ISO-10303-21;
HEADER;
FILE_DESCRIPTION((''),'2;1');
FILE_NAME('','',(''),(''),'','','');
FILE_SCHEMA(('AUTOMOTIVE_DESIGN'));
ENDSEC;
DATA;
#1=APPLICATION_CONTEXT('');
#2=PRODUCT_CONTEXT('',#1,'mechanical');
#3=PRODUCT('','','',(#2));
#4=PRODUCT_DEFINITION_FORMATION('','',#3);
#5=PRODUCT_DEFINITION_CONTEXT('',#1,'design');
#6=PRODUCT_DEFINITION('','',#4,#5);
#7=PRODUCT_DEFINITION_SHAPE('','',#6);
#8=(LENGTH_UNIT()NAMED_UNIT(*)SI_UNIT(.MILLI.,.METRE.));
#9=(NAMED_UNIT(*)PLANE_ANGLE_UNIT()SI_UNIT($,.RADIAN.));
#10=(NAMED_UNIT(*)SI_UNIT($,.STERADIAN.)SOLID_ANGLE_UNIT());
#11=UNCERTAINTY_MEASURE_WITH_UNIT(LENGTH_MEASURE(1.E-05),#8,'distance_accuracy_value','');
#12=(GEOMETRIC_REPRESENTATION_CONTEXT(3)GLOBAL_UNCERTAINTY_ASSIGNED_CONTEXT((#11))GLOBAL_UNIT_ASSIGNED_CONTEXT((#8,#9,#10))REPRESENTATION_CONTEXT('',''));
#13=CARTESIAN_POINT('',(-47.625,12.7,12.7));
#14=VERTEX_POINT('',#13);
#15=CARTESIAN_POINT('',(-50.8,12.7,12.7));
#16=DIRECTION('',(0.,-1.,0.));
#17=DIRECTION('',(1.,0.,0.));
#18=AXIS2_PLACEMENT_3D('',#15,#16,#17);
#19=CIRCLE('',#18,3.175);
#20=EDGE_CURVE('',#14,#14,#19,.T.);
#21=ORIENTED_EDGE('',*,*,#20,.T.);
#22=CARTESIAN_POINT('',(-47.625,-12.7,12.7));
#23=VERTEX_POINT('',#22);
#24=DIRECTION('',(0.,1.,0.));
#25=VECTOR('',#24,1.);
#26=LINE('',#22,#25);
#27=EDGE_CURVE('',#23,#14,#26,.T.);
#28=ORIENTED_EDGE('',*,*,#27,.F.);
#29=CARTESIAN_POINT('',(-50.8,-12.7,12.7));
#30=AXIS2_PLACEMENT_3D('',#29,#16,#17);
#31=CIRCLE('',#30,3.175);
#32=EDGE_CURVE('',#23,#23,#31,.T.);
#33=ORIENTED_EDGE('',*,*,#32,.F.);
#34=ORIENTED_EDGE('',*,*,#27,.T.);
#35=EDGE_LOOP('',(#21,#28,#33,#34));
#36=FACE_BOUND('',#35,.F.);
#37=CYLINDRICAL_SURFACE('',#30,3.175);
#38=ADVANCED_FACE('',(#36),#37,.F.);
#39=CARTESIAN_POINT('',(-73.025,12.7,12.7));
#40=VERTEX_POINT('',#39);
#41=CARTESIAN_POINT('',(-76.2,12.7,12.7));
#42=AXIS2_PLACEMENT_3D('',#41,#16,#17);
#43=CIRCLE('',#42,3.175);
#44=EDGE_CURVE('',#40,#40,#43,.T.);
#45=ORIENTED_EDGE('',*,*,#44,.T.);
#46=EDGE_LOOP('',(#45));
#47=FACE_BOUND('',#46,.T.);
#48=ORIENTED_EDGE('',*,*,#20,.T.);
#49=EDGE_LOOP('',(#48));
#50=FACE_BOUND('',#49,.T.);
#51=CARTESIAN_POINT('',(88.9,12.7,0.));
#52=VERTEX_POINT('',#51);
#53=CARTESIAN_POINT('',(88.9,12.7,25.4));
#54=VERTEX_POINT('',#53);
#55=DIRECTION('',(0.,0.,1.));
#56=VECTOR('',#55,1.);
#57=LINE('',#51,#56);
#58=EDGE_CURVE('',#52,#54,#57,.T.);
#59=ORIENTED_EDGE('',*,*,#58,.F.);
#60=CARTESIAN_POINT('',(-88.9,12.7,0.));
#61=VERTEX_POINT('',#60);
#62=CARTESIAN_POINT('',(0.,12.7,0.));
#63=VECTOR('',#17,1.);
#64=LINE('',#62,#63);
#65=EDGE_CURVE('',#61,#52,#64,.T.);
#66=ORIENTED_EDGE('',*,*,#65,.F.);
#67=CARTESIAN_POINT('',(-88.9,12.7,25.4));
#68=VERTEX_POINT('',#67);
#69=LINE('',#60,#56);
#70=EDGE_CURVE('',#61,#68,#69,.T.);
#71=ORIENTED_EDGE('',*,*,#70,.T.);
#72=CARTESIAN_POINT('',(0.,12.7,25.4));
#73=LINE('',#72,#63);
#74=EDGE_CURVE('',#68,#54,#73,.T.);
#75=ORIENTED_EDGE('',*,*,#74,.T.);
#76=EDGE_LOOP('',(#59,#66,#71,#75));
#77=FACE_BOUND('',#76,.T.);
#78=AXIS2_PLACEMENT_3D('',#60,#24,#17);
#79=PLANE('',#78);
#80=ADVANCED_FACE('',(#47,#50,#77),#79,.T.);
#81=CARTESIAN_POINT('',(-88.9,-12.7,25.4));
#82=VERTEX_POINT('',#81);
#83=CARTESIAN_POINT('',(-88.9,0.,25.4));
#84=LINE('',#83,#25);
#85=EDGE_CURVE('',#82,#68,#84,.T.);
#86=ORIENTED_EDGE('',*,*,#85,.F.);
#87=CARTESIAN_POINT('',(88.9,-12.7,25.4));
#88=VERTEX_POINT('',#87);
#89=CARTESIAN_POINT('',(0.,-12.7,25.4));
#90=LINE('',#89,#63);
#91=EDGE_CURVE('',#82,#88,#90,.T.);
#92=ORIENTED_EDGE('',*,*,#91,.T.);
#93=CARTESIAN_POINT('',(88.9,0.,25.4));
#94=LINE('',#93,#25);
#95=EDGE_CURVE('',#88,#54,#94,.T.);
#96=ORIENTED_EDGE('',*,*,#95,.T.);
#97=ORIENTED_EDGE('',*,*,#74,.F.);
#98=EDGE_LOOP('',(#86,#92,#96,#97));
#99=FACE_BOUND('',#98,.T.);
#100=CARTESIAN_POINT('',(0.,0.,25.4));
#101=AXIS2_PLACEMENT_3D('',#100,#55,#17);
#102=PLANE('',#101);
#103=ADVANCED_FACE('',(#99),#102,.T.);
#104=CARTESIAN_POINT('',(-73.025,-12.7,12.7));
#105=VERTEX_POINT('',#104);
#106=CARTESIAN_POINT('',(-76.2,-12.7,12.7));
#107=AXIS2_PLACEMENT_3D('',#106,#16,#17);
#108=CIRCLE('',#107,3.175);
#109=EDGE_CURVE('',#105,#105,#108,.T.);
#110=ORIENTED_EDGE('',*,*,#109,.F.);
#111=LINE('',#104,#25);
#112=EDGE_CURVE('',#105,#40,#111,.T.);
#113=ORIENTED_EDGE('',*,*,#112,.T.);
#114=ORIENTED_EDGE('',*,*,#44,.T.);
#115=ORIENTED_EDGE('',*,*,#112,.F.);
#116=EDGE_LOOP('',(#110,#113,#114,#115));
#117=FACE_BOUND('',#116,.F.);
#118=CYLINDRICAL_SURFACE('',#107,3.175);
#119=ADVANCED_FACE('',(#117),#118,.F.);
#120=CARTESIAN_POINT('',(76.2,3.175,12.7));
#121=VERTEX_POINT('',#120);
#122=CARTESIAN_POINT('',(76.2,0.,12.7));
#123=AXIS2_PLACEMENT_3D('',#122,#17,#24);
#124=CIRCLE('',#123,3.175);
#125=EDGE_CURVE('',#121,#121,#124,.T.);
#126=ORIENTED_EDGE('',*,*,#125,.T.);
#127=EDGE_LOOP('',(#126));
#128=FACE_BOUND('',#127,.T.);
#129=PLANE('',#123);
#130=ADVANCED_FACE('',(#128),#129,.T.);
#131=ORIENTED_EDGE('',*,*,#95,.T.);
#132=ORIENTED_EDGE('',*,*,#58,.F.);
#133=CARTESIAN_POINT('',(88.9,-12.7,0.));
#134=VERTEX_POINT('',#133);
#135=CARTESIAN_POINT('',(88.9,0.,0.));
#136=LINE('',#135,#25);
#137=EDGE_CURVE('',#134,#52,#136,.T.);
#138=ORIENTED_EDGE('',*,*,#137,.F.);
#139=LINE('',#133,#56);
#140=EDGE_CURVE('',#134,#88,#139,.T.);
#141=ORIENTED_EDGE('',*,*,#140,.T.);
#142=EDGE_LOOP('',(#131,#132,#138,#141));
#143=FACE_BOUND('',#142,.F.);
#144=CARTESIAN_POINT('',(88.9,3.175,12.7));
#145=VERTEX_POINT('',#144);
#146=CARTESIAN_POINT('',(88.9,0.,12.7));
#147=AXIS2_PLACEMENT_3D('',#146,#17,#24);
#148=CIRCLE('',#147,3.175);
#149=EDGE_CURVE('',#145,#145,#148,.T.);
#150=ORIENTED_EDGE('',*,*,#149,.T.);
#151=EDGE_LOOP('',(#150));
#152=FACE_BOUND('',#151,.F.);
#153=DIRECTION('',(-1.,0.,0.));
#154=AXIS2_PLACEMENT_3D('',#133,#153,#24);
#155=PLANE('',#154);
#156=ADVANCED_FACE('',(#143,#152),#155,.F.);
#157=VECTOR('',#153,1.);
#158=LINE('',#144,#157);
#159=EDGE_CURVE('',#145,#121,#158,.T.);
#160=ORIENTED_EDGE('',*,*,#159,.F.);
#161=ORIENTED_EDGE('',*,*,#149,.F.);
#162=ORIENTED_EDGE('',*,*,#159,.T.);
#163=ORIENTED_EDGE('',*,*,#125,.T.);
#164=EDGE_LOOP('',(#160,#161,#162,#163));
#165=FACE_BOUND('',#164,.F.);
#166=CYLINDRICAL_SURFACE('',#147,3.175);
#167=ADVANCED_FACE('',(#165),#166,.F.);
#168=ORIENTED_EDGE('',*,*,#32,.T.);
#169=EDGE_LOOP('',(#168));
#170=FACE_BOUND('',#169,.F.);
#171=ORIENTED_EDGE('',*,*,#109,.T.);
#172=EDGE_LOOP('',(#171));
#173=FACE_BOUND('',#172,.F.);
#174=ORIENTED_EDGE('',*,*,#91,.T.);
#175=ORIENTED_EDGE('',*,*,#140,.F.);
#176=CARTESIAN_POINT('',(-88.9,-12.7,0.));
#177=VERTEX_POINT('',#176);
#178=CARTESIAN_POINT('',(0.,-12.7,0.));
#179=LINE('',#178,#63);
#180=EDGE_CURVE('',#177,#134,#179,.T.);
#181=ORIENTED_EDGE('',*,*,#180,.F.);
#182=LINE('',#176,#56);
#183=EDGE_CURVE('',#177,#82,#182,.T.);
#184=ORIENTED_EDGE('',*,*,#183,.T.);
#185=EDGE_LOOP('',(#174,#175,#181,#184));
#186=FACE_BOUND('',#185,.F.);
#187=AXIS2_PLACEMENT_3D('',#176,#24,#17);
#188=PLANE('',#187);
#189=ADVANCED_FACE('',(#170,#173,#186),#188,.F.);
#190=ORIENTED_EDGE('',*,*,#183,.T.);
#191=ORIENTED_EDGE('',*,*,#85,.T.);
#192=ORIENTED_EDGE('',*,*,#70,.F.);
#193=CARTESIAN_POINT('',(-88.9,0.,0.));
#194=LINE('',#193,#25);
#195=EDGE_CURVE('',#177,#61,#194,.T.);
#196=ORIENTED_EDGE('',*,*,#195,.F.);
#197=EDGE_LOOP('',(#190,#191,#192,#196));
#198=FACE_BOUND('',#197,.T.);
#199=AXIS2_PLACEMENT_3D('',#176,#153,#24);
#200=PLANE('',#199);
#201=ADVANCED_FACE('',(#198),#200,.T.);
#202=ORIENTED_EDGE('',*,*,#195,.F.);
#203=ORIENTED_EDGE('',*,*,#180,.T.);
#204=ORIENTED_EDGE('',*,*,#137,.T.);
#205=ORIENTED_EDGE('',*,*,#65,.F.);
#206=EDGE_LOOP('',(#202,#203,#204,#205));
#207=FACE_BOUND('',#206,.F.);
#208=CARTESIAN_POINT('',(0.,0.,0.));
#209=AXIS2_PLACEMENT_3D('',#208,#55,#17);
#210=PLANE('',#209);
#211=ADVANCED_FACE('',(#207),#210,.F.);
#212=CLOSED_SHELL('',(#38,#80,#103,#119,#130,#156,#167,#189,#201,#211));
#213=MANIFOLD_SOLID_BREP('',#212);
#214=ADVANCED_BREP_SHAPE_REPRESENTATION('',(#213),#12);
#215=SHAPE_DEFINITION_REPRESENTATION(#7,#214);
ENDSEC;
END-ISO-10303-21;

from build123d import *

# Parameters (mm, degrees)
F0_W     = 177.8
F0_H     = 25.4
F1_DEPTH = 25.4
F2_R     = 3.175
F3_DEPTH = 25.4
F4_R     = 3.175
F5_DEPTH = 12.7


with BuildPart() as f1:
    # F0 (on Top) → F1 (new body)
    with BuildSketch(Plane.XY):
        Rectangle(F0_W, F0_H)
    extrude(amount=F1_DEPTH)

    # F2 (on face) → F3 (cut)
    with BuildSketch(Plane.XZ.offset(12.7)):
        with Locations((-76.2, 12.7)):
            Circle(F2_R)
        with Locations((-50.8, 12.7)):
            Circle(F2_R)
    extrude(amount=-F3_DEPTH, mode=Mode.SUBTRACT)

    # F4 (on face) → F5 (cut)
    with BuildSketch(Plane.YZ.offset(88.9)):
        with Locations((0, 12.7)):
            Circle(F4_R)
    extrude(amount=-F5_DEPTH, mode=Mode.SUBTRACT)


solid = f1.part
